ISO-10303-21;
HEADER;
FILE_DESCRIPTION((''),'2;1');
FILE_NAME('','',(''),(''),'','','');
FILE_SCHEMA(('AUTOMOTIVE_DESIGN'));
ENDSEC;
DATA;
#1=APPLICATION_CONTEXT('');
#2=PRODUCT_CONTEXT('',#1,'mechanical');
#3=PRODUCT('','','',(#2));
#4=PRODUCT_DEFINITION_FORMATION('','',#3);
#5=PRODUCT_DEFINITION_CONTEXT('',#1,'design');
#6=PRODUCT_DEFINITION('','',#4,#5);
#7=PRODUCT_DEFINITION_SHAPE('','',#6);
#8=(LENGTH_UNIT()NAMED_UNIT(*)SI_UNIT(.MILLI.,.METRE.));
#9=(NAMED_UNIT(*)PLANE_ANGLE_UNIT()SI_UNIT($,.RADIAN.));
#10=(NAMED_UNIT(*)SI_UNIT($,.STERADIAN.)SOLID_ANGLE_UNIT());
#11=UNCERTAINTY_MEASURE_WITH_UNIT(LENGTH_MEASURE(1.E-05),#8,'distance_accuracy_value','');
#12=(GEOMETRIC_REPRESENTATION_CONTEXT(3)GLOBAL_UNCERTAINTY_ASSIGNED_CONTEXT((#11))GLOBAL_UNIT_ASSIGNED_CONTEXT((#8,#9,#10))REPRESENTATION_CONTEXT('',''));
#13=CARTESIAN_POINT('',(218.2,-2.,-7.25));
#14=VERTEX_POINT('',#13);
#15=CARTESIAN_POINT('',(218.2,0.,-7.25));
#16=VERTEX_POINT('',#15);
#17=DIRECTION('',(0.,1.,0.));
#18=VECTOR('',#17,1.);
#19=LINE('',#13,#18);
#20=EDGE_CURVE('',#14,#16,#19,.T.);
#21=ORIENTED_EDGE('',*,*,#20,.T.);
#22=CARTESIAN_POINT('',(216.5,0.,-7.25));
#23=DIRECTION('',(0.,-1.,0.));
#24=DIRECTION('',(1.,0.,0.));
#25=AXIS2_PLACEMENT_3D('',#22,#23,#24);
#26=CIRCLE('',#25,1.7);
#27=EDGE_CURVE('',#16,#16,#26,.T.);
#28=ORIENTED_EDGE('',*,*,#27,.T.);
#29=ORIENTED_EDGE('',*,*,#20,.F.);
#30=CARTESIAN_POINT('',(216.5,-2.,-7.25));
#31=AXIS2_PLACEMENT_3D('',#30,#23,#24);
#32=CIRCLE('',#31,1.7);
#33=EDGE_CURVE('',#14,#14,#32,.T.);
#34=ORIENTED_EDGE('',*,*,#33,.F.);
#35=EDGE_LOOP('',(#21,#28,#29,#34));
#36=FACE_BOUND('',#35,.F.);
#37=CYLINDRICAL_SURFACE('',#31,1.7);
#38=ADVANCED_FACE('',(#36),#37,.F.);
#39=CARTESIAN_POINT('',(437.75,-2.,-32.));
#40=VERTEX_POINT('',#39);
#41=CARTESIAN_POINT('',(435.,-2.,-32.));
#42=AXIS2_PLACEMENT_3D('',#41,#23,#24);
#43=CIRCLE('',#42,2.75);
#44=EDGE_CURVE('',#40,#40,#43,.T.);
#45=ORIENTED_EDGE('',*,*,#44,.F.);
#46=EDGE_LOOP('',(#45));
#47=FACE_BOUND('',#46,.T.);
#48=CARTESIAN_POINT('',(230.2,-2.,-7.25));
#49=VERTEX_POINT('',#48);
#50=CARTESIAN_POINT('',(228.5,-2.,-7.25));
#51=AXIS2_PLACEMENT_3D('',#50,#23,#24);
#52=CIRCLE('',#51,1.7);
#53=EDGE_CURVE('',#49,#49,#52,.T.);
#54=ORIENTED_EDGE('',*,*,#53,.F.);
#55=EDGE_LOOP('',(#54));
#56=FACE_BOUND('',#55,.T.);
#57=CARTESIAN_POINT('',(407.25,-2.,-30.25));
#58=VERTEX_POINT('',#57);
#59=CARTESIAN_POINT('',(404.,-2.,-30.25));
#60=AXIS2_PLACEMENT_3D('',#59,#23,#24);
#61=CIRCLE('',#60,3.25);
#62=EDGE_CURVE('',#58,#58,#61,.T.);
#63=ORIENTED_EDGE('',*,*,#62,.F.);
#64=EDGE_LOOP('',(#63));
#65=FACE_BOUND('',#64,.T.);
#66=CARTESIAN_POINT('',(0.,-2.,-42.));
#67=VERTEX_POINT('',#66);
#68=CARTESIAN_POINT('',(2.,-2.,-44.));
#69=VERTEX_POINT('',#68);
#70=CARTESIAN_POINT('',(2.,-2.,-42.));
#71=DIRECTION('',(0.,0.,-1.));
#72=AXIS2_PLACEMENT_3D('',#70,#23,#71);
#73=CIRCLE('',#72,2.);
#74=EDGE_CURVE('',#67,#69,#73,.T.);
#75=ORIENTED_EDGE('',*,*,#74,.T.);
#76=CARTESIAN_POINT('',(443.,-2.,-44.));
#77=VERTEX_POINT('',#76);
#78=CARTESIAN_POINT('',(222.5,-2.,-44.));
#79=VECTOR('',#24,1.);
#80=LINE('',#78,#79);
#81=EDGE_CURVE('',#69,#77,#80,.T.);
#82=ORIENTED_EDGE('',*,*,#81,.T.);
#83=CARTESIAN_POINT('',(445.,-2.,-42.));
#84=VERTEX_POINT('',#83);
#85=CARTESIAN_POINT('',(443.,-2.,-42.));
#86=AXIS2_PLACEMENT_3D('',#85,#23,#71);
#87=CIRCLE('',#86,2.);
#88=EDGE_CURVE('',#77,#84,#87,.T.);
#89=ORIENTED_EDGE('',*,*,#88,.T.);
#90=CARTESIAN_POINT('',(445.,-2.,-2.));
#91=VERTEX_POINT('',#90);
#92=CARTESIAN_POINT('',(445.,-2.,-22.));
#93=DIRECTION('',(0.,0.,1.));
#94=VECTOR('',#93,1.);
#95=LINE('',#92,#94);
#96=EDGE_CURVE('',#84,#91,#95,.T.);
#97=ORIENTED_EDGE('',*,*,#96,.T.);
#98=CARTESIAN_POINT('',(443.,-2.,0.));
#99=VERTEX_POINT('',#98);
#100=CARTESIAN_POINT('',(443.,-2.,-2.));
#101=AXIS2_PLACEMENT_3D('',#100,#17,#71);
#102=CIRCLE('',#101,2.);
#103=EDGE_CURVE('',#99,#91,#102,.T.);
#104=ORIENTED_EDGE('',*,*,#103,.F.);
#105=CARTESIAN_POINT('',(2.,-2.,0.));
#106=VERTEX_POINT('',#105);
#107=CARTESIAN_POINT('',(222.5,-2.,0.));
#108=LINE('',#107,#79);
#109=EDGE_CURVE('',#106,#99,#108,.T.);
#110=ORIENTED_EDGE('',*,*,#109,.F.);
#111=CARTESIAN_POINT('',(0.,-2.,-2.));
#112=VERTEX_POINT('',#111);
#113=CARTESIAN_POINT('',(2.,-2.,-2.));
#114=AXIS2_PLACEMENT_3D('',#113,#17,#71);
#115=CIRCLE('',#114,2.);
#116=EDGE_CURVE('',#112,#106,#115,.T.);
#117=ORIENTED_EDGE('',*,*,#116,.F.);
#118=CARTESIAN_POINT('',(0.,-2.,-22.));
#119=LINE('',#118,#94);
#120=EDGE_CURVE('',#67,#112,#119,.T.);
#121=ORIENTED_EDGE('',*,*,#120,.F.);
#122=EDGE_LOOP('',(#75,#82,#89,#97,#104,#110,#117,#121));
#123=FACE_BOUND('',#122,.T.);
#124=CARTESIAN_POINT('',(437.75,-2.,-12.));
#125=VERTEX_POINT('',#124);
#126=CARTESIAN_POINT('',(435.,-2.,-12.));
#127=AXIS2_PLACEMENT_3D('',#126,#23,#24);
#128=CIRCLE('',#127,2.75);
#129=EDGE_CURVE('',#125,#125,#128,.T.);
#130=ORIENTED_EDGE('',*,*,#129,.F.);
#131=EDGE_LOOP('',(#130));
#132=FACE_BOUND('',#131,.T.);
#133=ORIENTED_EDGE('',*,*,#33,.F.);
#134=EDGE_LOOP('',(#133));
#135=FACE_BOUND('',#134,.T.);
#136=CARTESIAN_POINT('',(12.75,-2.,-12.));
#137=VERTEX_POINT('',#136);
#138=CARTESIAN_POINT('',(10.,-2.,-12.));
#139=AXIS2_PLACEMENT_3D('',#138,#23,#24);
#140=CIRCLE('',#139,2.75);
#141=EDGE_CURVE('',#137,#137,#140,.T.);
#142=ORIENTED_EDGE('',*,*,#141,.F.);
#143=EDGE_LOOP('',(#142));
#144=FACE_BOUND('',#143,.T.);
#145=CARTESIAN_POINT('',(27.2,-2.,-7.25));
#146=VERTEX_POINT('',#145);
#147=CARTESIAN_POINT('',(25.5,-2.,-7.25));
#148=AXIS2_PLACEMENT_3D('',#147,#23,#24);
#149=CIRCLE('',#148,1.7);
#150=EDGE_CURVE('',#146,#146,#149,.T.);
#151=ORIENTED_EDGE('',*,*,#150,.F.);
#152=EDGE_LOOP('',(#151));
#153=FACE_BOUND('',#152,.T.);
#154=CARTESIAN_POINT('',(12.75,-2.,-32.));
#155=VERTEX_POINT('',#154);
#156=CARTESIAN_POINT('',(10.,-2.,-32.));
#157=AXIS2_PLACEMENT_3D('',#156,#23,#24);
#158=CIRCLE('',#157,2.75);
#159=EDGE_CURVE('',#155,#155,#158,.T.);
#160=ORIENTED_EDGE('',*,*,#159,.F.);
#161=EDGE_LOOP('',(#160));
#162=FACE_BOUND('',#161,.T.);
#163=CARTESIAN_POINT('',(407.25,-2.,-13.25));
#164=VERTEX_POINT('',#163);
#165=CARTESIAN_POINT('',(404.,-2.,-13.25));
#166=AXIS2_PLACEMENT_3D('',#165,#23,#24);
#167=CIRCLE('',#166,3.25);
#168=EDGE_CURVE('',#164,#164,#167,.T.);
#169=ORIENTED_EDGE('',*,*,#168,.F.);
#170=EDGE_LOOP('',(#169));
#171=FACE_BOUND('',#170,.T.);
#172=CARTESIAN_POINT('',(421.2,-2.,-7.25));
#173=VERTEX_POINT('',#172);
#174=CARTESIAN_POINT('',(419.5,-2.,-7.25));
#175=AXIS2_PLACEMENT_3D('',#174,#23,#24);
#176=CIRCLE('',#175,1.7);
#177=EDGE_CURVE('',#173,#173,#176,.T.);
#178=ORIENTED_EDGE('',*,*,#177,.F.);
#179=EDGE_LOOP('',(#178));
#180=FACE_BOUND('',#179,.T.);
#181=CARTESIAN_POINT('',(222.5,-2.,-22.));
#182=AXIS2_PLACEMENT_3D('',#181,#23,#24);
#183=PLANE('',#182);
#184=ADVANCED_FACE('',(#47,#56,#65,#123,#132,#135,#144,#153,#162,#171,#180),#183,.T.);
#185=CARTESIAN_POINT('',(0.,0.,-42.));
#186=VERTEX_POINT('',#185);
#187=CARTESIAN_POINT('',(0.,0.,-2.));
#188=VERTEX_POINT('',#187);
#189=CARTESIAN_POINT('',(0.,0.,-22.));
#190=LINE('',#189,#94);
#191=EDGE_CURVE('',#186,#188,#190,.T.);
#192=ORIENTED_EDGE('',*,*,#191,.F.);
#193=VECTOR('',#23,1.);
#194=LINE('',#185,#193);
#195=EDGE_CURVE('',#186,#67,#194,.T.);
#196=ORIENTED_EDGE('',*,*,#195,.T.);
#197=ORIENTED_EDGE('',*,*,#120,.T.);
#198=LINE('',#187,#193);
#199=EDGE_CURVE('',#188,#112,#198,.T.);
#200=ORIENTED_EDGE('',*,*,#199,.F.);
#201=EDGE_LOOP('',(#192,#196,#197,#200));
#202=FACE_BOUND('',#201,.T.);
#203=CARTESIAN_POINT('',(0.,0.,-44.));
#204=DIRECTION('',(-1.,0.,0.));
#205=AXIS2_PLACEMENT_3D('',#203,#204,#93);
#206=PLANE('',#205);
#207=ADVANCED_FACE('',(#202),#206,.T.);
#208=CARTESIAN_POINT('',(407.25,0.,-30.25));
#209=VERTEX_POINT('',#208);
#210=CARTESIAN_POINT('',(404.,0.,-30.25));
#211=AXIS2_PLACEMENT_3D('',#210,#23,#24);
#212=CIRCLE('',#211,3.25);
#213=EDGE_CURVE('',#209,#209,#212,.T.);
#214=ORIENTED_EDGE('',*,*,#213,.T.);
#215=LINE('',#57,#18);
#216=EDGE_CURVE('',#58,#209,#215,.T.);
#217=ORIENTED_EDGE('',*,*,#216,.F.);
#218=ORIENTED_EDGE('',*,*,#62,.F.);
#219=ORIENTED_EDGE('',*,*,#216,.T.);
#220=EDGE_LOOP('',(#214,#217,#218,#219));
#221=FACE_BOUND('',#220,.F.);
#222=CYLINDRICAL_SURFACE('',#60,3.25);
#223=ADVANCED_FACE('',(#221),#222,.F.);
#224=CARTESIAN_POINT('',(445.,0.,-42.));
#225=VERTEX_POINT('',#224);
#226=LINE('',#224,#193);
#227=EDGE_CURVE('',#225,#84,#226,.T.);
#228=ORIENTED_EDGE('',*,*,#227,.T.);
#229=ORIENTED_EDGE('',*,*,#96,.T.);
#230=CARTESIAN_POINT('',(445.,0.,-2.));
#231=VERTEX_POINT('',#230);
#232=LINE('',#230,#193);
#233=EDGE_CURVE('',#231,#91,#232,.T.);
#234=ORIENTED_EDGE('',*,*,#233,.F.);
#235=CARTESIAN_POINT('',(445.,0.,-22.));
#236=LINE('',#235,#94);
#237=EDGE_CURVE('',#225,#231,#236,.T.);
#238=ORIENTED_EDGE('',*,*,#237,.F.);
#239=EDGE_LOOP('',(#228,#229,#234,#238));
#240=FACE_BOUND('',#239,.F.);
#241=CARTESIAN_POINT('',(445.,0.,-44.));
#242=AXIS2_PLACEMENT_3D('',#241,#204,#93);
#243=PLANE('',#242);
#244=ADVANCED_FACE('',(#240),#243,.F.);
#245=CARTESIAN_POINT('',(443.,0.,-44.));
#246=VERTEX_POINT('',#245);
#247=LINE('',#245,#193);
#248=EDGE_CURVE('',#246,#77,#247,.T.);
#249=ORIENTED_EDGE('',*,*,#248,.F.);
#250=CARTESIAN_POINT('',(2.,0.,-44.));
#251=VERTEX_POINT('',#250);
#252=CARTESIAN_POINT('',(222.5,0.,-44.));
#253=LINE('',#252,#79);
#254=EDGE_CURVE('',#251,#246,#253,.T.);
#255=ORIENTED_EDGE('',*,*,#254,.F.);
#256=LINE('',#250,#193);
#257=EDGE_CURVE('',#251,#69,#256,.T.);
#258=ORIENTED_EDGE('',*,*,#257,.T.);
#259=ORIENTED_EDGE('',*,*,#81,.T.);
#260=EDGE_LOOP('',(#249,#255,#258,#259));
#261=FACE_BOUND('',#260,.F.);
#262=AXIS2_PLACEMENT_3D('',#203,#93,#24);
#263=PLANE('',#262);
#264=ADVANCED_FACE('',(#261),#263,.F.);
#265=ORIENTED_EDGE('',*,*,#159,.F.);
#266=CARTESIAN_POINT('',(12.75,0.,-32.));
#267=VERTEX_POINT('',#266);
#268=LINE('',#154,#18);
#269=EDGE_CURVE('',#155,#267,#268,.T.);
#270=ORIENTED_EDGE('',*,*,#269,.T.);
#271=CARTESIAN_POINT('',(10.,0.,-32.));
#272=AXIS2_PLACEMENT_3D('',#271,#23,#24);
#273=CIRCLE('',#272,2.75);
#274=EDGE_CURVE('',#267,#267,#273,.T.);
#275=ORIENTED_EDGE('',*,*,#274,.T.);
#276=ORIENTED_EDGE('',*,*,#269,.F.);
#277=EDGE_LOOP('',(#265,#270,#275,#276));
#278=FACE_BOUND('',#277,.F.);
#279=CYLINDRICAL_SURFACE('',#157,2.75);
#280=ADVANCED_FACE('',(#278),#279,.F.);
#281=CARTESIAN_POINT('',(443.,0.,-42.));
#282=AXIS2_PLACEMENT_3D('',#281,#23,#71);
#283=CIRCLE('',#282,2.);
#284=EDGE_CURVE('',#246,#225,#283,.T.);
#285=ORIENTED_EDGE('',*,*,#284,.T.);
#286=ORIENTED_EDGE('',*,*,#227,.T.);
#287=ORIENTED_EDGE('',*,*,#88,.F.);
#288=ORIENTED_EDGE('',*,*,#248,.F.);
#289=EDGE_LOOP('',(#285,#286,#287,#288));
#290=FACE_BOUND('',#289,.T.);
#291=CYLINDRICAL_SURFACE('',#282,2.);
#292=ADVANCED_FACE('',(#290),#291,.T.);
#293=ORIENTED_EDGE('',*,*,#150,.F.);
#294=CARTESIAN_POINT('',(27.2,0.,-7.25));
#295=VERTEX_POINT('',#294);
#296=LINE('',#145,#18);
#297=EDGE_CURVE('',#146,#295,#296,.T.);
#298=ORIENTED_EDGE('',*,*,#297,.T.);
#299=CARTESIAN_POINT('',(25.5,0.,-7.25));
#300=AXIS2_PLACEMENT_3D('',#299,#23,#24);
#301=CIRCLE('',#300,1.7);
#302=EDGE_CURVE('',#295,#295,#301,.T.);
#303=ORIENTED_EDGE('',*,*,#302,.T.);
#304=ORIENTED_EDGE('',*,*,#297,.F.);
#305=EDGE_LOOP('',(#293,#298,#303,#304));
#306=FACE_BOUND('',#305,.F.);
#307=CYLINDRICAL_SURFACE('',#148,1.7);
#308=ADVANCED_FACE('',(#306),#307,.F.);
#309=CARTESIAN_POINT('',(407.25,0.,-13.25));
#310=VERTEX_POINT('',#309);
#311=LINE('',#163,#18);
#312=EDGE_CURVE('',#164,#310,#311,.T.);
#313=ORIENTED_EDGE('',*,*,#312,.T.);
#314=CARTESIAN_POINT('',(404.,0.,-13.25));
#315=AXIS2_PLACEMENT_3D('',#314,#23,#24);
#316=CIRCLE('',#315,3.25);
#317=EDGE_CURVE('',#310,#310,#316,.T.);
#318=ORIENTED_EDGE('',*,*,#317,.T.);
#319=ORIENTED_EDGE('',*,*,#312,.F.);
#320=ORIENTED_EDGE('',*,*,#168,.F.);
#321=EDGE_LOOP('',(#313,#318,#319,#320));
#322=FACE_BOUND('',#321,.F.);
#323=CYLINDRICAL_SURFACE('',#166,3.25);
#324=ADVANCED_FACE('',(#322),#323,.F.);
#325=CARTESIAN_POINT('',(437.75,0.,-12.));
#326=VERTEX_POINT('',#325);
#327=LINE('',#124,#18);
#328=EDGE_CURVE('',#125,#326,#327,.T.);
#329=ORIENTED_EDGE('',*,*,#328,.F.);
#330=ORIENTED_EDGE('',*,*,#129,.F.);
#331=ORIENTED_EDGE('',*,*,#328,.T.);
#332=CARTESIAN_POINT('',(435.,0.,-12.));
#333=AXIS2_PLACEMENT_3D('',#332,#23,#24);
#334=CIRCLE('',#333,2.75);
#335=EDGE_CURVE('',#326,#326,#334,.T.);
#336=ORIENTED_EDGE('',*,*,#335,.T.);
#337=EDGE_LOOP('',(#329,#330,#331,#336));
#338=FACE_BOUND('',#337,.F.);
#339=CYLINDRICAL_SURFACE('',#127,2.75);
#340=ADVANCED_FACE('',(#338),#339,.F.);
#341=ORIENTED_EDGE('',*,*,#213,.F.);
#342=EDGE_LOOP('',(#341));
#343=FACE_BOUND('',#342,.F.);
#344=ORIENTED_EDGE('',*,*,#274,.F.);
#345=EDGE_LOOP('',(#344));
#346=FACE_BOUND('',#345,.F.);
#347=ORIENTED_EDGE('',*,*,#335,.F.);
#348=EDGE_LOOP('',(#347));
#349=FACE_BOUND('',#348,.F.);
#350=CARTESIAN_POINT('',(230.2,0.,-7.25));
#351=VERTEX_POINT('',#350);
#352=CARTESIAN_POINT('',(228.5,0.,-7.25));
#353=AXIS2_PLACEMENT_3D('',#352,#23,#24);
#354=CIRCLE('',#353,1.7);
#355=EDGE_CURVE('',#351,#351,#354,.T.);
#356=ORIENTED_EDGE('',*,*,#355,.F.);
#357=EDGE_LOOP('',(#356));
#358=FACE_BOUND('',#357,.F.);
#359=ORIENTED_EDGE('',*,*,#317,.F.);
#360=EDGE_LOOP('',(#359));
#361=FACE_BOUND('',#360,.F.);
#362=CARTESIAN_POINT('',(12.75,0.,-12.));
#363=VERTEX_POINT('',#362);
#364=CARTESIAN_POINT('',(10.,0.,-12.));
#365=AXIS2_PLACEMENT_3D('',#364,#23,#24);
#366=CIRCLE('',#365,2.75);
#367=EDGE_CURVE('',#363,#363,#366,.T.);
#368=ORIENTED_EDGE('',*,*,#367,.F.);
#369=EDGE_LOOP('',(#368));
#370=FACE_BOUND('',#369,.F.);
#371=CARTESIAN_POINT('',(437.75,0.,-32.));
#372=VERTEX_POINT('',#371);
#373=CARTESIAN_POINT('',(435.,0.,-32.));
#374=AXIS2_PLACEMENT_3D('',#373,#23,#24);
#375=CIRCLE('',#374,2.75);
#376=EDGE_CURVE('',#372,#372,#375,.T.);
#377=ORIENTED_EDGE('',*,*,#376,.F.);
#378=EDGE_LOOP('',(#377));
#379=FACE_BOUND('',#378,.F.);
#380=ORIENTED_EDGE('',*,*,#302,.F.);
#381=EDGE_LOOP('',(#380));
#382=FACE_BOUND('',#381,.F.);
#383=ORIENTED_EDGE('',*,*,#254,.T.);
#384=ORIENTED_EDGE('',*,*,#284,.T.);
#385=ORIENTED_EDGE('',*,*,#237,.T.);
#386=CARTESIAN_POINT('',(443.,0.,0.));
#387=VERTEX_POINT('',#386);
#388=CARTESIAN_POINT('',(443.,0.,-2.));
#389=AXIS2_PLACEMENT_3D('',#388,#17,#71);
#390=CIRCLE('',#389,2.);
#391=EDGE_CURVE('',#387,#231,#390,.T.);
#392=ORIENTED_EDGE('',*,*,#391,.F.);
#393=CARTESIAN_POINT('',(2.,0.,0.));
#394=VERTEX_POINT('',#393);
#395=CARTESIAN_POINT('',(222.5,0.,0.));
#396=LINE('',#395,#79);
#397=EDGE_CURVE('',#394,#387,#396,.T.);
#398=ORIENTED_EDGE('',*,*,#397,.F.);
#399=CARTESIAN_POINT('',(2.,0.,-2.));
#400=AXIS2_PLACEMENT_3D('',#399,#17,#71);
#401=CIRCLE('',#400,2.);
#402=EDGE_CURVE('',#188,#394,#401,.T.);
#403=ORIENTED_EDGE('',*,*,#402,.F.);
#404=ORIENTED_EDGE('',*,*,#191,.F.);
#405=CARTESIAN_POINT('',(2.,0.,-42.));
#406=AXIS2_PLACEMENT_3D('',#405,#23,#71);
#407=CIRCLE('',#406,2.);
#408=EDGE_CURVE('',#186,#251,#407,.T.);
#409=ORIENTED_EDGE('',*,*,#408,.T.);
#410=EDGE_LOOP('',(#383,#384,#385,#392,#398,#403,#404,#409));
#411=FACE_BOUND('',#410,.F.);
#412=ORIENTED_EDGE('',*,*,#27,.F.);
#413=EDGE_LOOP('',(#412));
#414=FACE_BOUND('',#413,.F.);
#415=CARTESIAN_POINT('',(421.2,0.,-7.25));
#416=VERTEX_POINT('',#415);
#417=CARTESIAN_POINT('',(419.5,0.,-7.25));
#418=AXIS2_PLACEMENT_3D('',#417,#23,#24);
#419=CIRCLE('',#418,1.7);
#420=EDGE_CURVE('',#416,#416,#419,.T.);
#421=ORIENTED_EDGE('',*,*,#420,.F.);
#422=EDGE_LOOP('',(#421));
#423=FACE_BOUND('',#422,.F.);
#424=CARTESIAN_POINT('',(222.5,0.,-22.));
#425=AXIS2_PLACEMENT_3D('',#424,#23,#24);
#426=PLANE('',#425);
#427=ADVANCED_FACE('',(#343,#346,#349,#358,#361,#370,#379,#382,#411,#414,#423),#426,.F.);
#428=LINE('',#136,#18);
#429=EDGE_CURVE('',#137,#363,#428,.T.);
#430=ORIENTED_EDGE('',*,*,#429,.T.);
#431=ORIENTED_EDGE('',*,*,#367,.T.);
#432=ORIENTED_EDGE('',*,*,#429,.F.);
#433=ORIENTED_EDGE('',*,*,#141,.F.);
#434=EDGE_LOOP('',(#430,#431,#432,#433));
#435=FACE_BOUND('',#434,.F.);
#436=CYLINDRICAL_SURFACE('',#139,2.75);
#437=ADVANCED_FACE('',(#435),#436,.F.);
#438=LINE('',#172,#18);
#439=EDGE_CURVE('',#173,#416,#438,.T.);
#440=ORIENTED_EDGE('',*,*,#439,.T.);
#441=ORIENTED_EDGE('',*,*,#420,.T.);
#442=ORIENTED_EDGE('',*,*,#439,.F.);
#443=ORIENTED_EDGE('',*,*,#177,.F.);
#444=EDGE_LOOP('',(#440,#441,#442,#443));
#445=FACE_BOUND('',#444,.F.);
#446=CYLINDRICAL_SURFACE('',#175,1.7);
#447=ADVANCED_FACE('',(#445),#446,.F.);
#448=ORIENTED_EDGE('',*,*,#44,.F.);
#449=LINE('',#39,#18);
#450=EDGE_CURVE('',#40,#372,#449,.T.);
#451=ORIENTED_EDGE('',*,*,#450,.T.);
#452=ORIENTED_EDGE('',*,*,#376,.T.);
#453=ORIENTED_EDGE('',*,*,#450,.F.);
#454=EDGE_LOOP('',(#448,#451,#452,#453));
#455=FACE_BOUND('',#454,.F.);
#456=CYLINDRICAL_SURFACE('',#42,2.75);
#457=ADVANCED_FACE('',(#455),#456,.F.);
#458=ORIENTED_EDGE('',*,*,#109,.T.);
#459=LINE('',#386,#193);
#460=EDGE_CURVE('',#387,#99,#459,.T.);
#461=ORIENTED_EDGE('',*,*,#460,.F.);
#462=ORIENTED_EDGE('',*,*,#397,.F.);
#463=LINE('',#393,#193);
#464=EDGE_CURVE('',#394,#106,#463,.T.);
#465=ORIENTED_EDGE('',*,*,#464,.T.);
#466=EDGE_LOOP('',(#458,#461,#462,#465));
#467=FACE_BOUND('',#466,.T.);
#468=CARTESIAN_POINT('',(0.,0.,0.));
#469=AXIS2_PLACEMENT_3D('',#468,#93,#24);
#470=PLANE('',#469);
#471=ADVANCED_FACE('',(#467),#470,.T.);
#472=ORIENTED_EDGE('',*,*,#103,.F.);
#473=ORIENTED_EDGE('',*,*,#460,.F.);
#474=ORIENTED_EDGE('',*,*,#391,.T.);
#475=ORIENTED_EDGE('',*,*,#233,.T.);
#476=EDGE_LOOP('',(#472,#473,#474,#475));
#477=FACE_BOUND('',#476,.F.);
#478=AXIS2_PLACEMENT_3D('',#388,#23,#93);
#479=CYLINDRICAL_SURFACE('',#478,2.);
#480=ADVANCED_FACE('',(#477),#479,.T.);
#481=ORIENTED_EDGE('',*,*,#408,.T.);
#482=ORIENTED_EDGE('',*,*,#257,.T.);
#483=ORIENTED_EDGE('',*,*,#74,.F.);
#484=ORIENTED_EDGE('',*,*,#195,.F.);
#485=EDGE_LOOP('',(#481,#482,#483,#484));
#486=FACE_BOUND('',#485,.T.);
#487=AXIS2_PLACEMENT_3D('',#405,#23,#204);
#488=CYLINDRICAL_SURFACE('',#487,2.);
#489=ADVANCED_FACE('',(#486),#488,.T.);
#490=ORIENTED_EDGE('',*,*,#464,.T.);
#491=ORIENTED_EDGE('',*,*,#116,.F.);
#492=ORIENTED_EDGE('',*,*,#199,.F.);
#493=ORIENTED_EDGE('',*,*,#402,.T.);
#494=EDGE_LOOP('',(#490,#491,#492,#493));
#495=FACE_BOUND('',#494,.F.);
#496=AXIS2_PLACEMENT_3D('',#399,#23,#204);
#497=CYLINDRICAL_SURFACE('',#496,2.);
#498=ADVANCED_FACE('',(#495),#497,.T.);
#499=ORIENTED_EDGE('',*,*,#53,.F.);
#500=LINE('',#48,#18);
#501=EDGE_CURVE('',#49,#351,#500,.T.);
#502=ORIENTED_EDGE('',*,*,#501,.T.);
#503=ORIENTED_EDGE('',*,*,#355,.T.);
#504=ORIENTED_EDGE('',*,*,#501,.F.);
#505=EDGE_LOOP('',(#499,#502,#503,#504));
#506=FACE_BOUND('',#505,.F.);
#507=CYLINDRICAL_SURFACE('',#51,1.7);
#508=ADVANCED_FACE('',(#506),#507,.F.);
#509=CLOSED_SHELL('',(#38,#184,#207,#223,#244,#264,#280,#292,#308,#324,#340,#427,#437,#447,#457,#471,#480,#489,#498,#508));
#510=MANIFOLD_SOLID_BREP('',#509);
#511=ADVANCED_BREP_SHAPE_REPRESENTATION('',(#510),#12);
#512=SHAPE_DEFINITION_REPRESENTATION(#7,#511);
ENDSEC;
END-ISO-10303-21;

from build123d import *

# Parameters (mm, degrees)
SKETCH_W      = 445
SKETCH_H      = 44
PAD_DEPTH     = 2
SKETCH001_R   = 2.75
HOLE_DEPTH    = 25
SKETCH002_R   = 1.7
HOLE001_DEPTH = 25
SKETCH003_R   = 3.25
POCKET_DEPTH  = 2.001
FILLET_R      = 2


with BuildPart() as part:
    # Sketch → Pad (new body)
    with BuildSketch(Plane.XZ):
        with Locations((222.5, -22)):
            Rectangle(SKETCH_W, SKETCH_H)
    extrude(amount=PAD_DEPTH)

    # Sketch001 (on Face6 of Pad) → Hole (cut)
    with BuildSketch(Plane.XZ.offset(2)):
        with Locations((10, -32)):
            Circle(SKETCH001_R)
        with Locations((10, -12)):
            Circle(SKETCH001_R)
        with Locations((435, -32)):
            Circle(SKETCH001_R)
        with Locations((435, -12)):
            Circle(SKETCH001_R)
    extrude(amount=-HOLE_DEPTH, mode=Mode.SUBTRACT)

    # Sketch002 (on Face5 of Hole) → Hole001 (cut)
    with BuildSketch(Plane.XZ.offset(2)):
        with Locations((419.5, -7.25)):
            Circle(SKETCH002_R)
        with Locations((228.5, -7.25)):
            Circle(SKETCH002_R)
        with Locations((25.5, -7.25)):
            Circle(SKETCH002_R)
        with Locations((216.5, -7.25)):
            Circle(SKETCH002_R)
    extrude(amount=-HOLE001_DEPTH, mode=Mode.SUBTRACT)

    # Sketch003 (on Face5 of Hole001) → Pocket (cut, through all)
    with BuildSketch(Plane.XZ.offset(2)):
        with Locations((404, -13.25)):
            Circle(SKETCH003_R)
        with Locations((404, -30.25)):
            Circle(SKETCH003_R)
    extrude(amount=-POCKET_DEPTH, mode=Mode.SUBTRACT)

    # Fillet
    fillet_edges = [part.edges().sort_by_distance(p)[0] for p in [
        (445, -1, 0),
        (445, -1, -44),
        (0, -1, -44),
        (0, -1, 0),
    ]]
    fillet(fillet_edges, radius=FILLET_R)


solid = part.part
